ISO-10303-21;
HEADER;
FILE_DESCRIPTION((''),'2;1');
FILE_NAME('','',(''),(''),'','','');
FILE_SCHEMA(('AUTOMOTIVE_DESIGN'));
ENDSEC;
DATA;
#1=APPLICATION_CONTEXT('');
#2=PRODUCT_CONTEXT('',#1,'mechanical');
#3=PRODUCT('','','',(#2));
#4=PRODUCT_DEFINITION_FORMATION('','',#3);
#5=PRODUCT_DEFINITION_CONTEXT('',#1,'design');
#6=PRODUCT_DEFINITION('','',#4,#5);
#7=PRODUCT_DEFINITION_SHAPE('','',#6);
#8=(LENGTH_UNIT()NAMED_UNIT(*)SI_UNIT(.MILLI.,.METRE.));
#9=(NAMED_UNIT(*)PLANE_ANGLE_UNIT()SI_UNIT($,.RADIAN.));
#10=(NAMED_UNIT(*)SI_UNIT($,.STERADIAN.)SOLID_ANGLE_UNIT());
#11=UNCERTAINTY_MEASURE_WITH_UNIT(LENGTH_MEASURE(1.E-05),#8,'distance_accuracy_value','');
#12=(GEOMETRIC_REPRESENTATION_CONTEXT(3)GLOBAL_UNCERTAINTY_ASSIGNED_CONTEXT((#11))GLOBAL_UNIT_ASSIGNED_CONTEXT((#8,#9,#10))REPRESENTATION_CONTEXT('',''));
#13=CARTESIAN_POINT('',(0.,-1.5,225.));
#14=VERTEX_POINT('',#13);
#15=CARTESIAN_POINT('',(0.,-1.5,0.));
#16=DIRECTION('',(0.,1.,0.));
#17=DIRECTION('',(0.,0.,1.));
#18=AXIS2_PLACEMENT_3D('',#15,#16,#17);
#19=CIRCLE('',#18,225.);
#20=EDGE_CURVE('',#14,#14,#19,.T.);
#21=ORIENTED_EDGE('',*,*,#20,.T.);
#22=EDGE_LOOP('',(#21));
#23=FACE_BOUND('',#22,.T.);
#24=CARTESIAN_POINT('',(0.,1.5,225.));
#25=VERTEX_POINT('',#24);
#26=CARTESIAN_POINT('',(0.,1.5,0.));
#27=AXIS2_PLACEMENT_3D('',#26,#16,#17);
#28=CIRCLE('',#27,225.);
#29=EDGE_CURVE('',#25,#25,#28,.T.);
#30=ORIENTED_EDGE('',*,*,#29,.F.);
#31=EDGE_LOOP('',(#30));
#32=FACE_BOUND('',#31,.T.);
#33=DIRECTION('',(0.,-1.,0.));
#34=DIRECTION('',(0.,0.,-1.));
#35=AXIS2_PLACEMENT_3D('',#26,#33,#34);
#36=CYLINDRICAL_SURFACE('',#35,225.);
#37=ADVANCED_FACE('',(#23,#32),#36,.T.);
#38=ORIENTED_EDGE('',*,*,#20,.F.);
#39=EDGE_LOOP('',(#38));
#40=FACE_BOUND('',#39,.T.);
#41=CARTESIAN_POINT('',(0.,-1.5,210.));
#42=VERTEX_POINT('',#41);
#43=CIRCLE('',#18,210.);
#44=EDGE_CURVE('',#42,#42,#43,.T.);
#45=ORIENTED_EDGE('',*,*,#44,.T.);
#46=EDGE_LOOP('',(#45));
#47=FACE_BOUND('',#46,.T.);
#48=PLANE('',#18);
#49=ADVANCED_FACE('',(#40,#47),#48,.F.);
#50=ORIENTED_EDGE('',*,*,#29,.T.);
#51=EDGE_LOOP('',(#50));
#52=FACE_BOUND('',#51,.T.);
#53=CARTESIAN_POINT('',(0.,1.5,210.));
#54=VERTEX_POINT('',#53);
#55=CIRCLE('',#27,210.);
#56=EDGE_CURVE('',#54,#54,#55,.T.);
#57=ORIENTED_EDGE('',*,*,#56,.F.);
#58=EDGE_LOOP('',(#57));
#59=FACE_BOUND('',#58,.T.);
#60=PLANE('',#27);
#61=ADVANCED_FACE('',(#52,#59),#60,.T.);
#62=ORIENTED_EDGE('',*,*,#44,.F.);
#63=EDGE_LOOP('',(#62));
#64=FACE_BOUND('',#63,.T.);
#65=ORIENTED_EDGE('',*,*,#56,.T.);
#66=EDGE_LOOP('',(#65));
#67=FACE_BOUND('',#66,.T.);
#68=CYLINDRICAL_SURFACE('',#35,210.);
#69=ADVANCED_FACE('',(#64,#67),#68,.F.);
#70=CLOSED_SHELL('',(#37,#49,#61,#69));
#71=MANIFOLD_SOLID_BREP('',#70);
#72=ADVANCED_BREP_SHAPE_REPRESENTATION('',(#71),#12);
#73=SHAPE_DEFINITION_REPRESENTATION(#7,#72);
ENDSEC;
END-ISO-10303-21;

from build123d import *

# Parameters (mm, degrees)
SKETCH1_R           = 225
SKETCH1_R_2         = 210
BOSS_EXTRUDE1_DEPTH = 1.5


with BuildPart() as part:
    # Sketch1 → Boss-Extrude1 (new, symmetric)
    with BuildSketch(Plane(origin=(0, 0, 0), x_dir=(1, 0, 0), z_dir=(0, 1, 0))):
        with Locations(Location((0, 0, 0), (0, 0, 270))):
            Circle(SKETCH1_R)
        with Locations(Location((0, 0, 0), (0, 0, 270))):
            Circle(SKETCH1_R_2, mode=Mode.SUBTRACT)
    extrude(amount=BOSS_EXTRUDE1_DEPTH, both=True)


solid = part.part
